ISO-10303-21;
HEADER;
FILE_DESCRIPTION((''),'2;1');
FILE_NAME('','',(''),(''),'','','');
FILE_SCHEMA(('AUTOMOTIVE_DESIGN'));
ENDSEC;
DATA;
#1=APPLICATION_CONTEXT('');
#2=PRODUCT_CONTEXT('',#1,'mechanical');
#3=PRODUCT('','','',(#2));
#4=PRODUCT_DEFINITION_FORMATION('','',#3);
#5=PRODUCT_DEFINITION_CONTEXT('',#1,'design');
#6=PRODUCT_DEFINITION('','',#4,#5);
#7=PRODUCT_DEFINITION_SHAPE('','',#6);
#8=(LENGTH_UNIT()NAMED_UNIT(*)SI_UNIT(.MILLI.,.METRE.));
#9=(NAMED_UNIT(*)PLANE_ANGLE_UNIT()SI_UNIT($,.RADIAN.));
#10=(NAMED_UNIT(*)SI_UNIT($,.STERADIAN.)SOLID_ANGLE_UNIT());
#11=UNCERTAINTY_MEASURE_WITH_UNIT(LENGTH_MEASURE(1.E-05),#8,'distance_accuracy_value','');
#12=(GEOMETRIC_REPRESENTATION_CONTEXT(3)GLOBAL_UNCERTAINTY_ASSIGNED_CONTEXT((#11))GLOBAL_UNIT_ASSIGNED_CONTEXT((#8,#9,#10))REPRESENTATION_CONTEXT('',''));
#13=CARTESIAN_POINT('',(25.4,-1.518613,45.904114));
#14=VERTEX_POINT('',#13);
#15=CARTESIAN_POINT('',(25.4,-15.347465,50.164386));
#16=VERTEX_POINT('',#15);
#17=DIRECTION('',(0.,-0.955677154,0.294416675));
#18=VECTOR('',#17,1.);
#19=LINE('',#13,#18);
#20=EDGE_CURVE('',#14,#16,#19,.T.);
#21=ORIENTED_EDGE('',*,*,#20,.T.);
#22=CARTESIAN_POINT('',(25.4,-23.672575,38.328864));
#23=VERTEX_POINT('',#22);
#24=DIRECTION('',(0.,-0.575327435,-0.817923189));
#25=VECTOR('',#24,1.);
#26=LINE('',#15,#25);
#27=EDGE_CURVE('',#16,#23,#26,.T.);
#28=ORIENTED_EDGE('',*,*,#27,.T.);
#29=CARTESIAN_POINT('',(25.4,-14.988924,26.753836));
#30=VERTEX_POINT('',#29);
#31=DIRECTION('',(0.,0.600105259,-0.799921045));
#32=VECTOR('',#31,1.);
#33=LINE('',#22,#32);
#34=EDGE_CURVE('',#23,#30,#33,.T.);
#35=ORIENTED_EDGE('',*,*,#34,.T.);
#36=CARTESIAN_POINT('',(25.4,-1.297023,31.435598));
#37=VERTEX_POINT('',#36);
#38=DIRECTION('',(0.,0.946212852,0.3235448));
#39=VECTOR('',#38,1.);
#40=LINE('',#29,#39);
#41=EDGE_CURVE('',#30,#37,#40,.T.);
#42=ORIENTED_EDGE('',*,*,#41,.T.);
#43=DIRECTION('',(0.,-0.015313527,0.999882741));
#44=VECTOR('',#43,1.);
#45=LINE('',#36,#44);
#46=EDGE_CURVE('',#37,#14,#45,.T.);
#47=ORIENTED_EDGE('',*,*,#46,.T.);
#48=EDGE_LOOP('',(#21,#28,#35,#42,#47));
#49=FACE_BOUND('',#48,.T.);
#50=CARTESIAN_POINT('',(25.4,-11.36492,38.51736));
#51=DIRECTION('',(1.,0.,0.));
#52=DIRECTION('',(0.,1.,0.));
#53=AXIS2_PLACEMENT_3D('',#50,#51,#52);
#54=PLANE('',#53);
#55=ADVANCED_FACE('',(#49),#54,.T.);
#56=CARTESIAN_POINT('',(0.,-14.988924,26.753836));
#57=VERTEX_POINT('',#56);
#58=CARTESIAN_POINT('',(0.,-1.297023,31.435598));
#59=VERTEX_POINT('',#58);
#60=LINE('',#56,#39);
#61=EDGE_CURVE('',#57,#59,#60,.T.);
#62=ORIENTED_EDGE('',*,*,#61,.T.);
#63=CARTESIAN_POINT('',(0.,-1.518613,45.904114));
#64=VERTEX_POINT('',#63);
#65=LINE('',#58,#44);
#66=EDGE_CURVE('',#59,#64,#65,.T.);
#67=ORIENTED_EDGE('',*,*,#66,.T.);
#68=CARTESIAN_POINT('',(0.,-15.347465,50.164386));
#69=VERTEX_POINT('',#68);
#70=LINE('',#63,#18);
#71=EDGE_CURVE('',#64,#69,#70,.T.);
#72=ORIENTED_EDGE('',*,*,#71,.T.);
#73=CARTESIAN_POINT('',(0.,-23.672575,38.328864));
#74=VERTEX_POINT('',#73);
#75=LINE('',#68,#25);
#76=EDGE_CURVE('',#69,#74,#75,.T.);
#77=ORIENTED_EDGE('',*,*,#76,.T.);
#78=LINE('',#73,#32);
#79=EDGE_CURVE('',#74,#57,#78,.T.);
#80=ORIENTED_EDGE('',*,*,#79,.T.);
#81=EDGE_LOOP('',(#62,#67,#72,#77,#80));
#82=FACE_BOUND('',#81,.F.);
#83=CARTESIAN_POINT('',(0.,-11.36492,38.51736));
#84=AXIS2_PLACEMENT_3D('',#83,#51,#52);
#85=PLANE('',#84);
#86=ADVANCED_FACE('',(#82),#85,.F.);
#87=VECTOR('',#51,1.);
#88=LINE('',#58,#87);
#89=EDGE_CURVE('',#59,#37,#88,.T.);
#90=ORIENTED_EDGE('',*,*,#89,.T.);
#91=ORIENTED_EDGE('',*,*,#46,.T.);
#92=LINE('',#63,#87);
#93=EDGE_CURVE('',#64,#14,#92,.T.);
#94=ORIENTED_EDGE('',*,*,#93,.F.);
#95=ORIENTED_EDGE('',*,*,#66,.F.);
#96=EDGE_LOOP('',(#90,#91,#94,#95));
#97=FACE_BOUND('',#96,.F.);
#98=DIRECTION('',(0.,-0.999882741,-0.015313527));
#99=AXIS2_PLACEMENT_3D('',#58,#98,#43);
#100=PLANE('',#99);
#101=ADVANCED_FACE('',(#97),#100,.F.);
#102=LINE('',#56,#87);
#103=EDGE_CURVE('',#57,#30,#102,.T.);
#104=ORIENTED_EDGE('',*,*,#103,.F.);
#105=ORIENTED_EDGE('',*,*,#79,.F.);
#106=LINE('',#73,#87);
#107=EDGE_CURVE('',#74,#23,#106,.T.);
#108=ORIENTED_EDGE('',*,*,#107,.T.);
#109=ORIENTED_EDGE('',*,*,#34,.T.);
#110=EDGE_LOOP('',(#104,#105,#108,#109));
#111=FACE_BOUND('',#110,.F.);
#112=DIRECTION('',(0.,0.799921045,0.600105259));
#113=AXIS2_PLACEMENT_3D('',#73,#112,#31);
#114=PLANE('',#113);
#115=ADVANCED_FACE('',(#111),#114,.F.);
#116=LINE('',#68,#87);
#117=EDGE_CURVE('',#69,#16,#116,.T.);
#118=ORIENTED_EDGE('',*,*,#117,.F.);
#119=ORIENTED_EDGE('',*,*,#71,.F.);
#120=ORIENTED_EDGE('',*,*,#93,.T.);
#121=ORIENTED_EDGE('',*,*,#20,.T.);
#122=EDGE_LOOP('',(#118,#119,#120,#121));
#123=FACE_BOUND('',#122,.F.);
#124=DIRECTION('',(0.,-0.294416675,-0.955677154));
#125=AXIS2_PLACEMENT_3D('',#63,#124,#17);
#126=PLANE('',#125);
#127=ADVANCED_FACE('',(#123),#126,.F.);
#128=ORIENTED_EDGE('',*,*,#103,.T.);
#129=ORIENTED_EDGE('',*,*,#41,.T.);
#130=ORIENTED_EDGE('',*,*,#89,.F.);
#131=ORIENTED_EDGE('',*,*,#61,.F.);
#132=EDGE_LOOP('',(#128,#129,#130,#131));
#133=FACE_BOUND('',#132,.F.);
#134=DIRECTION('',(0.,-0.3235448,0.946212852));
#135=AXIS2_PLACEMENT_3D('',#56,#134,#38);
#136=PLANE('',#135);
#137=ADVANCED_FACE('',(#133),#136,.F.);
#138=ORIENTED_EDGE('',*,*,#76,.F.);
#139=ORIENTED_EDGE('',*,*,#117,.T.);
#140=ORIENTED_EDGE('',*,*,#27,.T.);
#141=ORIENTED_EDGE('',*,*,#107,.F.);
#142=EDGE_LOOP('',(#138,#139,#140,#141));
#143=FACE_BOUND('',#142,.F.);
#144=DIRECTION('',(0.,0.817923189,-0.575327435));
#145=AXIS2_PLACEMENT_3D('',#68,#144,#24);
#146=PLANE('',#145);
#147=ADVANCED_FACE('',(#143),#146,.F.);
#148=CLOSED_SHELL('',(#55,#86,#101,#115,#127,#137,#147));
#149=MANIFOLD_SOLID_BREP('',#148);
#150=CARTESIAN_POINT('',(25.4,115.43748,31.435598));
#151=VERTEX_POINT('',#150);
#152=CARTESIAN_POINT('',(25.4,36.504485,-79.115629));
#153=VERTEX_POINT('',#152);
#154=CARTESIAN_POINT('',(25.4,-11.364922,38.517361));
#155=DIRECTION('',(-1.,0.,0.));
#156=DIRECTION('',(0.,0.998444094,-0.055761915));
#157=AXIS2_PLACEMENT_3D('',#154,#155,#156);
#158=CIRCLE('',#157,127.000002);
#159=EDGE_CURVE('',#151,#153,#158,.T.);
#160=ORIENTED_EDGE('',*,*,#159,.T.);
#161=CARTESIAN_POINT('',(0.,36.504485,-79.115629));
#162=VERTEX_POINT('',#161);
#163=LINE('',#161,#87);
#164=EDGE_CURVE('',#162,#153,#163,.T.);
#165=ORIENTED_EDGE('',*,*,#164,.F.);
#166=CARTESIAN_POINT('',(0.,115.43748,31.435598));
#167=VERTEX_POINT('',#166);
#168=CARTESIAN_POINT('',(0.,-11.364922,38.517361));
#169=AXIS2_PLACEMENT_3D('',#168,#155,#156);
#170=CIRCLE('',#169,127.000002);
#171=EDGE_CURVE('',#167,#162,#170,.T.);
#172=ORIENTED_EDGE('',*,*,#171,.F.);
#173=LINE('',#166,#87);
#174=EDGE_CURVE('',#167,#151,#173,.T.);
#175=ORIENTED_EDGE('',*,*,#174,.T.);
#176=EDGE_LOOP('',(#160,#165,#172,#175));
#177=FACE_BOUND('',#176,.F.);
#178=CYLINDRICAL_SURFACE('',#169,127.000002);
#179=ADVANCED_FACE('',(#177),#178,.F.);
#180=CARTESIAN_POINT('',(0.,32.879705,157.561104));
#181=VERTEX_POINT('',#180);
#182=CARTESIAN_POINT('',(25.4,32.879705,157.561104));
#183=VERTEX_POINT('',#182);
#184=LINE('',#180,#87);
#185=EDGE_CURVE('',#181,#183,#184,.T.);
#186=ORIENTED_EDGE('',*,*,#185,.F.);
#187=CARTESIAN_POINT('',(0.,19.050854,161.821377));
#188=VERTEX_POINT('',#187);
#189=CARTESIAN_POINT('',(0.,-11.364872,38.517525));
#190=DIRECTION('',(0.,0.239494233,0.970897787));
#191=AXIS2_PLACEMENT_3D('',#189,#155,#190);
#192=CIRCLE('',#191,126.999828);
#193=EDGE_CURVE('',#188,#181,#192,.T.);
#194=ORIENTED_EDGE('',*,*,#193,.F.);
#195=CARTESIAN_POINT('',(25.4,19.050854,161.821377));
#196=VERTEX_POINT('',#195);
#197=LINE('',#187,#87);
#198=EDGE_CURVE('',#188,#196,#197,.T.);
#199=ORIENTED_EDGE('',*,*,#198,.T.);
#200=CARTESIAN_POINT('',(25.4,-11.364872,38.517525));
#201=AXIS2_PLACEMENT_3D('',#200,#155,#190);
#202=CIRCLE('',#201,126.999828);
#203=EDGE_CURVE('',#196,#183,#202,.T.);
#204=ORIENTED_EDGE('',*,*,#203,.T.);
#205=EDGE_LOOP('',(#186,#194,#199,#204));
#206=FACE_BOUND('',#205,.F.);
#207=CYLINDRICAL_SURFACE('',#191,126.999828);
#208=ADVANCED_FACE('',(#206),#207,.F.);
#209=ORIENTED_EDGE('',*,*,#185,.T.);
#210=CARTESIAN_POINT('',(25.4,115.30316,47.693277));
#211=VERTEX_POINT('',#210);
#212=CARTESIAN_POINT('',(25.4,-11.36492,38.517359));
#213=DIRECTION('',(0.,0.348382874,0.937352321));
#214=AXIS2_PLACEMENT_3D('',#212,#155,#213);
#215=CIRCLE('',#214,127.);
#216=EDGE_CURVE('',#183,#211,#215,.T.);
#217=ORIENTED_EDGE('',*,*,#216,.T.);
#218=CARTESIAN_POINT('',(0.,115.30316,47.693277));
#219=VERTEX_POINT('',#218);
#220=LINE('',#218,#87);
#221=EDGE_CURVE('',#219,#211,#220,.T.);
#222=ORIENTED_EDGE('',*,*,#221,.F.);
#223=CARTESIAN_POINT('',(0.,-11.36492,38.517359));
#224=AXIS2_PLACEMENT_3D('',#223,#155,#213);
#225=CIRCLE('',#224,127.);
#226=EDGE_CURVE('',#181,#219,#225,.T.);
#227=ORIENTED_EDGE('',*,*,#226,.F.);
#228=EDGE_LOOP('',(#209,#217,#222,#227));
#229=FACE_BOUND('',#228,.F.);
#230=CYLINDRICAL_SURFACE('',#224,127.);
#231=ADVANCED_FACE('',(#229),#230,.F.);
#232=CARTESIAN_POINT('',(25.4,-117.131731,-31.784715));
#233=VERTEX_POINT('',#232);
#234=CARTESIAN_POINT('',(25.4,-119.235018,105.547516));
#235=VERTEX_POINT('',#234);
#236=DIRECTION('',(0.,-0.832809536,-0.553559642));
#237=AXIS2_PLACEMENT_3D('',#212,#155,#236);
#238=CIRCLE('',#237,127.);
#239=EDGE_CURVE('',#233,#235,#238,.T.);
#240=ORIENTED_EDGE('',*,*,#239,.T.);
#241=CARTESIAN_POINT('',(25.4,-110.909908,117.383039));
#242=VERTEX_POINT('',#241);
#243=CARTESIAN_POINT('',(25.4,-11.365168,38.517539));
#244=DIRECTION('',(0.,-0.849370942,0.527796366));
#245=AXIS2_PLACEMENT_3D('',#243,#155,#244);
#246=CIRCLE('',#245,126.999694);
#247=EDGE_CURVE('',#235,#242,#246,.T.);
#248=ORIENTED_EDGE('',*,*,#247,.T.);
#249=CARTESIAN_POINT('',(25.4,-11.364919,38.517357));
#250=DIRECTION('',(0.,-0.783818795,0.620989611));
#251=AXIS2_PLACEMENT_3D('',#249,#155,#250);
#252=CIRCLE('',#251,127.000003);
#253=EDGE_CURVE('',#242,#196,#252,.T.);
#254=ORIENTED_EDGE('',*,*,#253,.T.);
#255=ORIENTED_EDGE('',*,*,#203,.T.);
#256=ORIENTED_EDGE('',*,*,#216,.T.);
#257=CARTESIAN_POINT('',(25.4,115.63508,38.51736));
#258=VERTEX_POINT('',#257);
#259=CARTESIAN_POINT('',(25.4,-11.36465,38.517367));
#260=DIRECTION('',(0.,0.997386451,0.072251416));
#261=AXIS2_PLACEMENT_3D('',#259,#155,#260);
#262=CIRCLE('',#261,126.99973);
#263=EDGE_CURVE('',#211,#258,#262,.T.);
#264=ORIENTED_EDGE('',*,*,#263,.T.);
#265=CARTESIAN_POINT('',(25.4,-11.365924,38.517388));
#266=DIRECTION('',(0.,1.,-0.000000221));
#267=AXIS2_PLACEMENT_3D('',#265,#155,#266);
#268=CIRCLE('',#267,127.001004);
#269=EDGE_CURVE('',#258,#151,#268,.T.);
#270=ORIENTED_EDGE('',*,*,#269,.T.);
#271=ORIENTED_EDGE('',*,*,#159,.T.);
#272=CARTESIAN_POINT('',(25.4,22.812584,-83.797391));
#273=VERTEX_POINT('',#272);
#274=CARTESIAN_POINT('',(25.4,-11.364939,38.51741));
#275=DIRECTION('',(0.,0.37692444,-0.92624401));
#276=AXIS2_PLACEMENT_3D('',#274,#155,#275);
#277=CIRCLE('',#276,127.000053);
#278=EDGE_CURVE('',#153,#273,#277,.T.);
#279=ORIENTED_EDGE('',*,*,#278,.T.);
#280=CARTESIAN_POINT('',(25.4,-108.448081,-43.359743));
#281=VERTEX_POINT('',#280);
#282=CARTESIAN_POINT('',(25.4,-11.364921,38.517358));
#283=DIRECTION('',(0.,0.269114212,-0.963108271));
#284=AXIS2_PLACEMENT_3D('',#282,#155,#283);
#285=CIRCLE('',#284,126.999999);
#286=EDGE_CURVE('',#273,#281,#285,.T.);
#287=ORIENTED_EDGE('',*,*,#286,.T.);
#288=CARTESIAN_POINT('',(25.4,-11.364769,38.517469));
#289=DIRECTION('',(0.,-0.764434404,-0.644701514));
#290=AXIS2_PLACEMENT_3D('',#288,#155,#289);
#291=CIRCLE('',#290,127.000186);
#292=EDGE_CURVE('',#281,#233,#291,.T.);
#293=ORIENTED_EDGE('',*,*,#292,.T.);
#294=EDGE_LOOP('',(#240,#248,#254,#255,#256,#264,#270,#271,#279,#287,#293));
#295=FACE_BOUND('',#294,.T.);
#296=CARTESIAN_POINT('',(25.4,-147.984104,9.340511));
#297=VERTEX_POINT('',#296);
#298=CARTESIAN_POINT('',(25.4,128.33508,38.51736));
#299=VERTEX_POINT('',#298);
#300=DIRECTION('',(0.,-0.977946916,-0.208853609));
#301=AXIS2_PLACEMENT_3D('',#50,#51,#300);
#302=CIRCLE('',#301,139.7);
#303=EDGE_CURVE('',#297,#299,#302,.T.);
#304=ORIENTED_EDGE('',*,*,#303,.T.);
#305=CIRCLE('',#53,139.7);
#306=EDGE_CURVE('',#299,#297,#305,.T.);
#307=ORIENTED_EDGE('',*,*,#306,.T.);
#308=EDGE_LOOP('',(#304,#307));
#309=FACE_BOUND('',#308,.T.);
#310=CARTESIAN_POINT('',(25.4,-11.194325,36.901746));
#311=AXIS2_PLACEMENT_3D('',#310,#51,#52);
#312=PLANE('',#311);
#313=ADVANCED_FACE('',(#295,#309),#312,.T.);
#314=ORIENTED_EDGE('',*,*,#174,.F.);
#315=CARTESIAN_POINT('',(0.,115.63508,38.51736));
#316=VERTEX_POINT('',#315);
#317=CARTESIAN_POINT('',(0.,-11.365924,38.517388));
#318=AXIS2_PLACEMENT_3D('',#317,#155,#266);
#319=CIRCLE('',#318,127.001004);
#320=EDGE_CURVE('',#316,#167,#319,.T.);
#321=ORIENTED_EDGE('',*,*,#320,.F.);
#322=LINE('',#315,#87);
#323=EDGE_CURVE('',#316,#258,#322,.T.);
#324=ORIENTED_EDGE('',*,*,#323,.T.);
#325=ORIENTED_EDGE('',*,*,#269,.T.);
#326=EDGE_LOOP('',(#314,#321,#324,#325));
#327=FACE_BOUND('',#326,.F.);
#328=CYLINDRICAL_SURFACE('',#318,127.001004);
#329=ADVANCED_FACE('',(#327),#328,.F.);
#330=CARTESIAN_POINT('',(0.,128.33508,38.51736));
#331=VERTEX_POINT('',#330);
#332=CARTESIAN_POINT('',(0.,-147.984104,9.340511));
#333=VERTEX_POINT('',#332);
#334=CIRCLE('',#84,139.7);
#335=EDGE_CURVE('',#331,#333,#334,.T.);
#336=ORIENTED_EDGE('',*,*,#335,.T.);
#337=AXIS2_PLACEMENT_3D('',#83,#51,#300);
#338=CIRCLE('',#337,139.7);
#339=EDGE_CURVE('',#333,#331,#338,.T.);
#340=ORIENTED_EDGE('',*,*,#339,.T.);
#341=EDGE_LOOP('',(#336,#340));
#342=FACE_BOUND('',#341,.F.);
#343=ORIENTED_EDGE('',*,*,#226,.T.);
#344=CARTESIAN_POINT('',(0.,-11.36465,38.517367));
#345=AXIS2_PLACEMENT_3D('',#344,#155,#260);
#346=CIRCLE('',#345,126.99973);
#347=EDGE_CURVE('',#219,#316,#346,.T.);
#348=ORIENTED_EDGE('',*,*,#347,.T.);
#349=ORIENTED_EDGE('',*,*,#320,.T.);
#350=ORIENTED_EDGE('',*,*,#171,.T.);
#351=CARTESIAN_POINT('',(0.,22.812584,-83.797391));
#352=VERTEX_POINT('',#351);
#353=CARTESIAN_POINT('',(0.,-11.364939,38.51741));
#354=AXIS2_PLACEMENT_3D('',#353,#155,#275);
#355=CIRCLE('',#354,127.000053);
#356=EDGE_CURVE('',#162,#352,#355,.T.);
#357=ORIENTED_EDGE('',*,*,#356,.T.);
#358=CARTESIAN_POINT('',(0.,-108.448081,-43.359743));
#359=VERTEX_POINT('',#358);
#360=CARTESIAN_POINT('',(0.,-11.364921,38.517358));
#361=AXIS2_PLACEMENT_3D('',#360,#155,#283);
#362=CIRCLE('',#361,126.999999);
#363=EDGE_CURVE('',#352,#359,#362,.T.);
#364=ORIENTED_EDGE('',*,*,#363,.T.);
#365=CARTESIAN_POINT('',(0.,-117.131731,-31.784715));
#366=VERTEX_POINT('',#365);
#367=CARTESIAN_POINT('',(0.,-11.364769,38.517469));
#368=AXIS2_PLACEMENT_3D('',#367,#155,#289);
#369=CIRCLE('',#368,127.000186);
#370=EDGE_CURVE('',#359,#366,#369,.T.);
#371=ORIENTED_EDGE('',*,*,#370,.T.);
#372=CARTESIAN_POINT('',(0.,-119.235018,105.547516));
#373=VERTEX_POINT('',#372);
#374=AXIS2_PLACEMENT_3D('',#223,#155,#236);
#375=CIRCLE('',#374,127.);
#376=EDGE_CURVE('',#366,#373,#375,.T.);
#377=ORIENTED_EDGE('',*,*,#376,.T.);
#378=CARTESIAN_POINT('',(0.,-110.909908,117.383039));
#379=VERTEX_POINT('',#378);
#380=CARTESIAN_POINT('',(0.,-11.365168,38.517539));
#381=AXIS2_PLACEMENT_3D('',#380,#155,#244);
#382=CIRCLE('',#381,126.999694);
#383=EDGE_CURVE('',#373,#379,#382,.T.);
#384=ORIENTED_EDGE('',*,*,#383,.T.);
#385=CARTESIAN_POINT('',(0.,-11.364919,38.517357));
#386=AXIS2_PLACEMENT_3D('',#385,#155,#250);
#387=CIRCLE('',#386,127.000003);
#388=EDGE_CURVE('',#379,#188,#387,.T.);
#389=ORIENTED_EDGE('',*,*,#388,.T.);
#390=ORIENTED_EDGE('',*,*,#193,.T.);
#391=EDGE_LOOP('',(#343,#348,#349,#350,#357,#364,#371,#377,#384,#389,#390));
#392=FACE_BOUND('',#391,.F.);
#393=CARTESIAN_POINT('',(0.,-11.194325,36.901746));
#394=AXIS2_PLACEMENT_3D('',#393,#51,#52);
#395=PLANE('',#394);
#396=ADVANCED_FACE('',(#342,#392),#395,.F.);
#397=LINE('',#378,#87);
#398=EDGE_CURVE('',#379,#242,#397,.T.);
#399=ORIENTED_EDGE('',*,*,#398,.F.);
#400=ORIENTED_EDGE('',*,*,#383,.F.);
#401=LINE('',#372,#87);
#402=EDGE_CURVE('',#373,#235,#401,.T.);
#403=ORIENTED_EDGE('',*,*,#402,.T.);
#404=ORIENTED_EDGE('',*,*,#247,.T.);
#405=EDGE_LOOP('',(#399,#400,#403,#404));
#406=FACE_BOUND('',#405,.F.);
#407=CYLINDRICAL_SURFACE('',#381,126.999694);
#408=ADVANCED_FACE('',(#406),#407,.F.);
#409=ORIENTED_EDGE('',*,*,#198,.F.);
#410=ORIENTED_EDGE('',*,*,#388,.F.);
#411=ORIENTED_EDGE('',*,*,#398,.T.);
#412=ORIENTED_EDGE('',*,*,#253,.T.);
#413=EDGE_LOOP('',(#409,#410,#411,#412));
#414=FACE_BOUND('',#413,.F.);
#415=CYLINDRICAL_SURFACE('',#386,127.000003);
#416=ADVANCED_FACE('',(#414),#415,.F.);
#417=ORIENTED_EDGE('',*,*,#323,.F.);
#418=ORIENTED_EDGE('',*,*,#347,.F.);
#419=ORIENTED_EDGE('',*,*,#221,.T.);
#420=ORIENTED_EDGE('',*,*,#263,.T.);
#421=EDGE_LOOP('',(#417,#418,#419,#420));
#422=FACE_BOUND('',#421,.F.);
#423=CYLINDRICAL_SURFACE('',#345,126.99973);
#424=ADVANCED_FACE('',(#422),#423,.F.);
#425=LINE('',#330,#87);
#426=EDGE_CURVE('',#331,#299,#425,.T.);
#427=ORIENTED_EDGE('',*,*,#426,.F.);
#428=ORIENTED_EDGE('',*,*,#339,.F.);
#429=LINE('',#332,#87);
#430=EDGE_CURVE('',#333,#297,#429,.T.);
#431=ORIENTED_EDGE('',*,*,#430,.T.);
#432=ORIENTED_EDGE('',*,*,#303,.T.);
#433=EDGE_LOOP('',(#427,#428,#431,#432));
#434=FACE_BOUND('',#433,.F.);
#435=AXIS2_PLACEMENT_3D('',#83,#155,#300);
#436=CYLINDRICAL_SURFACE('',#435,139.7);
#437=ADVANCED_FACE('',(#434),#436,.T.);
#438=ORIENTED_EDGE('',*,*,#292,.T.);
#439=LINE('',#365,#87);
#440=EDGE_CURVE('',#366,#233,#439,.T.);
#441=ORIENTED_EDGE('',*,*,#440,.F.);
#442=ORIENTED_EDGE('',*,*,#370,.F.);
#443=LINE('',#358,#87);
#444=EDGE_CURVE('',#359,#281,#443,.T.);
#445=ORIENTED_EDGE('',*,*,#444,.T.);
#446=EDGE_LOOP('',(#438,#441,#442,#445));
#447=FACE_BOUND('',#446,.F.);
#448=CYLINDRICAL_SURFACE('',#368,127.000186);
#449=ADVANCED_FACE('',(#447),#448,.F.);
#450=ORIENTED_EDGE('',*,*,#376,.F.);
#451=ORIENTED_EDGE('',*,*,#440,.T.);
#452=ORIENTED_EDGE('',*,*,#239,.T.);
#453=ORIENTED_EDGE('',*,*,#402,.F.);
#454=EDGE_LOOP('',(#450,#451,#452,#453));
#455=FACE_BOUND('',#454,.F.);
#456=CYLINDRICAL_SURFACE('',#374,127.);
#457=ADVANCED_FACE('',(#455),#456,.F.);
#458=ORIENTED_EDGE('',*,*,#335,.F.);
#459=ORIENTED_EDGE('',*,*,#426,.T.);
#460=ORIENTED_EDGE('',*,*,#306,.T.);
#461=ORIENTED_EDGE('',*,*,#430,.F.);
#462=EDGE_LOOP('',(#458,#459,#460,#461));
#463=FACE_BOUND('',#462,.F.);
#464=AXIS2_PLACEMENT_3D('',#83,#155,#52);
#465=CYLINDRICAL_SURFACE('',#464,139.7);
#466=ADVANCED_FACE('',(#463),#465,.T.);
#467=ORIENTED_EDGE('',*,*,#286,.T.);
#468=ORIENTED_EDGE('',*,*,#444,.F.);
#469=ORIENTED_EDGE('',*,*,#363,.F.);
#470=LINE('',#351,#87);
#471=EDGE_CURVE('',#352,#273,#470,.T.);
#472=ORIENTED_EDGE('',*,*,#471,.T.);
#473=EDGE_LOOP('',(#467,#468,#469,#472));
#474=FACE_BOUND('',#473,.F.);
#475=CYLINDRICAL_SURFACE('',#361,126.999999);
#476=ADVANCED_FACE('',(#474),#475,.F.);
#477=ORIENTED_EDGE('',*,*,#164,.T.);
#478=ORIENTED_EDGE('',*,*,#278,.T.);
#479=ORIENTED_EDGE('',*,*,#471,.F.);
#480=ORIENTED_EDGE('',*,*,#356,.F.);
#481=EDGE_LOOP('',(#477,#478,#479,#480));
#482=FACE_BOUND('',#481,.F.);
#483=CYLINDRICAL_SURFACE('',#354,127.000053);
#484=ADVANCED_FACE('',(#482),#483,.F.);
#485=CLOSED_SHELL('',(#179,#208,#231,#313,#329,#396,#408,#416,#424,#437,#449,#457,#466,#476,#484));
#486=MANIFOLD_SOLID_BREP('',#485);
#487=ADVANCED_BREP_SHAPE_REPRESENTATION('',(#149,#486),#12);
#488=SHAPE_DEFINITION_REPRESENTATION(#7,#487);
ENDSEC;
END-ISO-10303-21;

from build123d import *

# Parameters (mm, degrees)
F1_DEPTH = 25.4


with BuildPart() as f1:
    # F0 (on Right) → F1 (new body)
    with BuildSketch(Plane.YZ):
        with BuildLine():
            ThreePointArc((-147.984104, 9.340511), (3.304605, -100.410301), (128.33508, 38.51736))
            ThreePointArc((128.33508, 38.51736), (-26.034446, 177.445021), (-147.984104, 9.340511))
        make_face()
        with BuildLine():
            ThreePointArc((-108.448081, -43.359743), (-112.954895, -37.696005), (-117.131731, -31.784715))
            ThreePointArc((-117.131731, -31.784715), (-138.350028, 36.572542), (-119.235018, 105.547516))
            ThreePointArc((-119.235018, 105.547516), (-115.241166, 111.583943), (-110.909908, 117.383039))
            ThreePointArc((-110.909908, 117.383039), (-52.455108, 158.686392), (19.050854, 161.821377))
            ThreePointArc((19.050854, 161.821377), (26.026005, 159.888356), (32.879705, 157.561104))
            ThreePointArc((32.879705, 157.561104), (90.225055, 114.730724), (115.30316, 47.693277))
            ThreePointArc((115.30316, 47.693277), (115.552073, 43.108319), (115.63508, 38.51736))
            ThreePointArc((115.63508, 38.51736), (115.58567, 34.975101), (115.43748, 31.435598))
            ThreePointArc((115.43748, 31.435598), (91.993453, -35.279975), (36.504485, -79.115629))
            ThreePointArc((36.504485, -79.115629), (29.725268, -81.651673), (22.812584, -83.797391))
            ThreePointArc((22.812584, -83.797391), (-48.755845, -82.853637), (-108.448081, -43.359743))
        make_face(mode=Mode.SUBTRACT)
        Polygon((-15.347465, 50.164386), (-23.672575, 38.328864), (-14.988924, 26.753836), (-1.297023, 31.435598), (-1.518613, 45.904114), align=None)
    extrude(amount=F1_DEPTH)


solid = f1.part
